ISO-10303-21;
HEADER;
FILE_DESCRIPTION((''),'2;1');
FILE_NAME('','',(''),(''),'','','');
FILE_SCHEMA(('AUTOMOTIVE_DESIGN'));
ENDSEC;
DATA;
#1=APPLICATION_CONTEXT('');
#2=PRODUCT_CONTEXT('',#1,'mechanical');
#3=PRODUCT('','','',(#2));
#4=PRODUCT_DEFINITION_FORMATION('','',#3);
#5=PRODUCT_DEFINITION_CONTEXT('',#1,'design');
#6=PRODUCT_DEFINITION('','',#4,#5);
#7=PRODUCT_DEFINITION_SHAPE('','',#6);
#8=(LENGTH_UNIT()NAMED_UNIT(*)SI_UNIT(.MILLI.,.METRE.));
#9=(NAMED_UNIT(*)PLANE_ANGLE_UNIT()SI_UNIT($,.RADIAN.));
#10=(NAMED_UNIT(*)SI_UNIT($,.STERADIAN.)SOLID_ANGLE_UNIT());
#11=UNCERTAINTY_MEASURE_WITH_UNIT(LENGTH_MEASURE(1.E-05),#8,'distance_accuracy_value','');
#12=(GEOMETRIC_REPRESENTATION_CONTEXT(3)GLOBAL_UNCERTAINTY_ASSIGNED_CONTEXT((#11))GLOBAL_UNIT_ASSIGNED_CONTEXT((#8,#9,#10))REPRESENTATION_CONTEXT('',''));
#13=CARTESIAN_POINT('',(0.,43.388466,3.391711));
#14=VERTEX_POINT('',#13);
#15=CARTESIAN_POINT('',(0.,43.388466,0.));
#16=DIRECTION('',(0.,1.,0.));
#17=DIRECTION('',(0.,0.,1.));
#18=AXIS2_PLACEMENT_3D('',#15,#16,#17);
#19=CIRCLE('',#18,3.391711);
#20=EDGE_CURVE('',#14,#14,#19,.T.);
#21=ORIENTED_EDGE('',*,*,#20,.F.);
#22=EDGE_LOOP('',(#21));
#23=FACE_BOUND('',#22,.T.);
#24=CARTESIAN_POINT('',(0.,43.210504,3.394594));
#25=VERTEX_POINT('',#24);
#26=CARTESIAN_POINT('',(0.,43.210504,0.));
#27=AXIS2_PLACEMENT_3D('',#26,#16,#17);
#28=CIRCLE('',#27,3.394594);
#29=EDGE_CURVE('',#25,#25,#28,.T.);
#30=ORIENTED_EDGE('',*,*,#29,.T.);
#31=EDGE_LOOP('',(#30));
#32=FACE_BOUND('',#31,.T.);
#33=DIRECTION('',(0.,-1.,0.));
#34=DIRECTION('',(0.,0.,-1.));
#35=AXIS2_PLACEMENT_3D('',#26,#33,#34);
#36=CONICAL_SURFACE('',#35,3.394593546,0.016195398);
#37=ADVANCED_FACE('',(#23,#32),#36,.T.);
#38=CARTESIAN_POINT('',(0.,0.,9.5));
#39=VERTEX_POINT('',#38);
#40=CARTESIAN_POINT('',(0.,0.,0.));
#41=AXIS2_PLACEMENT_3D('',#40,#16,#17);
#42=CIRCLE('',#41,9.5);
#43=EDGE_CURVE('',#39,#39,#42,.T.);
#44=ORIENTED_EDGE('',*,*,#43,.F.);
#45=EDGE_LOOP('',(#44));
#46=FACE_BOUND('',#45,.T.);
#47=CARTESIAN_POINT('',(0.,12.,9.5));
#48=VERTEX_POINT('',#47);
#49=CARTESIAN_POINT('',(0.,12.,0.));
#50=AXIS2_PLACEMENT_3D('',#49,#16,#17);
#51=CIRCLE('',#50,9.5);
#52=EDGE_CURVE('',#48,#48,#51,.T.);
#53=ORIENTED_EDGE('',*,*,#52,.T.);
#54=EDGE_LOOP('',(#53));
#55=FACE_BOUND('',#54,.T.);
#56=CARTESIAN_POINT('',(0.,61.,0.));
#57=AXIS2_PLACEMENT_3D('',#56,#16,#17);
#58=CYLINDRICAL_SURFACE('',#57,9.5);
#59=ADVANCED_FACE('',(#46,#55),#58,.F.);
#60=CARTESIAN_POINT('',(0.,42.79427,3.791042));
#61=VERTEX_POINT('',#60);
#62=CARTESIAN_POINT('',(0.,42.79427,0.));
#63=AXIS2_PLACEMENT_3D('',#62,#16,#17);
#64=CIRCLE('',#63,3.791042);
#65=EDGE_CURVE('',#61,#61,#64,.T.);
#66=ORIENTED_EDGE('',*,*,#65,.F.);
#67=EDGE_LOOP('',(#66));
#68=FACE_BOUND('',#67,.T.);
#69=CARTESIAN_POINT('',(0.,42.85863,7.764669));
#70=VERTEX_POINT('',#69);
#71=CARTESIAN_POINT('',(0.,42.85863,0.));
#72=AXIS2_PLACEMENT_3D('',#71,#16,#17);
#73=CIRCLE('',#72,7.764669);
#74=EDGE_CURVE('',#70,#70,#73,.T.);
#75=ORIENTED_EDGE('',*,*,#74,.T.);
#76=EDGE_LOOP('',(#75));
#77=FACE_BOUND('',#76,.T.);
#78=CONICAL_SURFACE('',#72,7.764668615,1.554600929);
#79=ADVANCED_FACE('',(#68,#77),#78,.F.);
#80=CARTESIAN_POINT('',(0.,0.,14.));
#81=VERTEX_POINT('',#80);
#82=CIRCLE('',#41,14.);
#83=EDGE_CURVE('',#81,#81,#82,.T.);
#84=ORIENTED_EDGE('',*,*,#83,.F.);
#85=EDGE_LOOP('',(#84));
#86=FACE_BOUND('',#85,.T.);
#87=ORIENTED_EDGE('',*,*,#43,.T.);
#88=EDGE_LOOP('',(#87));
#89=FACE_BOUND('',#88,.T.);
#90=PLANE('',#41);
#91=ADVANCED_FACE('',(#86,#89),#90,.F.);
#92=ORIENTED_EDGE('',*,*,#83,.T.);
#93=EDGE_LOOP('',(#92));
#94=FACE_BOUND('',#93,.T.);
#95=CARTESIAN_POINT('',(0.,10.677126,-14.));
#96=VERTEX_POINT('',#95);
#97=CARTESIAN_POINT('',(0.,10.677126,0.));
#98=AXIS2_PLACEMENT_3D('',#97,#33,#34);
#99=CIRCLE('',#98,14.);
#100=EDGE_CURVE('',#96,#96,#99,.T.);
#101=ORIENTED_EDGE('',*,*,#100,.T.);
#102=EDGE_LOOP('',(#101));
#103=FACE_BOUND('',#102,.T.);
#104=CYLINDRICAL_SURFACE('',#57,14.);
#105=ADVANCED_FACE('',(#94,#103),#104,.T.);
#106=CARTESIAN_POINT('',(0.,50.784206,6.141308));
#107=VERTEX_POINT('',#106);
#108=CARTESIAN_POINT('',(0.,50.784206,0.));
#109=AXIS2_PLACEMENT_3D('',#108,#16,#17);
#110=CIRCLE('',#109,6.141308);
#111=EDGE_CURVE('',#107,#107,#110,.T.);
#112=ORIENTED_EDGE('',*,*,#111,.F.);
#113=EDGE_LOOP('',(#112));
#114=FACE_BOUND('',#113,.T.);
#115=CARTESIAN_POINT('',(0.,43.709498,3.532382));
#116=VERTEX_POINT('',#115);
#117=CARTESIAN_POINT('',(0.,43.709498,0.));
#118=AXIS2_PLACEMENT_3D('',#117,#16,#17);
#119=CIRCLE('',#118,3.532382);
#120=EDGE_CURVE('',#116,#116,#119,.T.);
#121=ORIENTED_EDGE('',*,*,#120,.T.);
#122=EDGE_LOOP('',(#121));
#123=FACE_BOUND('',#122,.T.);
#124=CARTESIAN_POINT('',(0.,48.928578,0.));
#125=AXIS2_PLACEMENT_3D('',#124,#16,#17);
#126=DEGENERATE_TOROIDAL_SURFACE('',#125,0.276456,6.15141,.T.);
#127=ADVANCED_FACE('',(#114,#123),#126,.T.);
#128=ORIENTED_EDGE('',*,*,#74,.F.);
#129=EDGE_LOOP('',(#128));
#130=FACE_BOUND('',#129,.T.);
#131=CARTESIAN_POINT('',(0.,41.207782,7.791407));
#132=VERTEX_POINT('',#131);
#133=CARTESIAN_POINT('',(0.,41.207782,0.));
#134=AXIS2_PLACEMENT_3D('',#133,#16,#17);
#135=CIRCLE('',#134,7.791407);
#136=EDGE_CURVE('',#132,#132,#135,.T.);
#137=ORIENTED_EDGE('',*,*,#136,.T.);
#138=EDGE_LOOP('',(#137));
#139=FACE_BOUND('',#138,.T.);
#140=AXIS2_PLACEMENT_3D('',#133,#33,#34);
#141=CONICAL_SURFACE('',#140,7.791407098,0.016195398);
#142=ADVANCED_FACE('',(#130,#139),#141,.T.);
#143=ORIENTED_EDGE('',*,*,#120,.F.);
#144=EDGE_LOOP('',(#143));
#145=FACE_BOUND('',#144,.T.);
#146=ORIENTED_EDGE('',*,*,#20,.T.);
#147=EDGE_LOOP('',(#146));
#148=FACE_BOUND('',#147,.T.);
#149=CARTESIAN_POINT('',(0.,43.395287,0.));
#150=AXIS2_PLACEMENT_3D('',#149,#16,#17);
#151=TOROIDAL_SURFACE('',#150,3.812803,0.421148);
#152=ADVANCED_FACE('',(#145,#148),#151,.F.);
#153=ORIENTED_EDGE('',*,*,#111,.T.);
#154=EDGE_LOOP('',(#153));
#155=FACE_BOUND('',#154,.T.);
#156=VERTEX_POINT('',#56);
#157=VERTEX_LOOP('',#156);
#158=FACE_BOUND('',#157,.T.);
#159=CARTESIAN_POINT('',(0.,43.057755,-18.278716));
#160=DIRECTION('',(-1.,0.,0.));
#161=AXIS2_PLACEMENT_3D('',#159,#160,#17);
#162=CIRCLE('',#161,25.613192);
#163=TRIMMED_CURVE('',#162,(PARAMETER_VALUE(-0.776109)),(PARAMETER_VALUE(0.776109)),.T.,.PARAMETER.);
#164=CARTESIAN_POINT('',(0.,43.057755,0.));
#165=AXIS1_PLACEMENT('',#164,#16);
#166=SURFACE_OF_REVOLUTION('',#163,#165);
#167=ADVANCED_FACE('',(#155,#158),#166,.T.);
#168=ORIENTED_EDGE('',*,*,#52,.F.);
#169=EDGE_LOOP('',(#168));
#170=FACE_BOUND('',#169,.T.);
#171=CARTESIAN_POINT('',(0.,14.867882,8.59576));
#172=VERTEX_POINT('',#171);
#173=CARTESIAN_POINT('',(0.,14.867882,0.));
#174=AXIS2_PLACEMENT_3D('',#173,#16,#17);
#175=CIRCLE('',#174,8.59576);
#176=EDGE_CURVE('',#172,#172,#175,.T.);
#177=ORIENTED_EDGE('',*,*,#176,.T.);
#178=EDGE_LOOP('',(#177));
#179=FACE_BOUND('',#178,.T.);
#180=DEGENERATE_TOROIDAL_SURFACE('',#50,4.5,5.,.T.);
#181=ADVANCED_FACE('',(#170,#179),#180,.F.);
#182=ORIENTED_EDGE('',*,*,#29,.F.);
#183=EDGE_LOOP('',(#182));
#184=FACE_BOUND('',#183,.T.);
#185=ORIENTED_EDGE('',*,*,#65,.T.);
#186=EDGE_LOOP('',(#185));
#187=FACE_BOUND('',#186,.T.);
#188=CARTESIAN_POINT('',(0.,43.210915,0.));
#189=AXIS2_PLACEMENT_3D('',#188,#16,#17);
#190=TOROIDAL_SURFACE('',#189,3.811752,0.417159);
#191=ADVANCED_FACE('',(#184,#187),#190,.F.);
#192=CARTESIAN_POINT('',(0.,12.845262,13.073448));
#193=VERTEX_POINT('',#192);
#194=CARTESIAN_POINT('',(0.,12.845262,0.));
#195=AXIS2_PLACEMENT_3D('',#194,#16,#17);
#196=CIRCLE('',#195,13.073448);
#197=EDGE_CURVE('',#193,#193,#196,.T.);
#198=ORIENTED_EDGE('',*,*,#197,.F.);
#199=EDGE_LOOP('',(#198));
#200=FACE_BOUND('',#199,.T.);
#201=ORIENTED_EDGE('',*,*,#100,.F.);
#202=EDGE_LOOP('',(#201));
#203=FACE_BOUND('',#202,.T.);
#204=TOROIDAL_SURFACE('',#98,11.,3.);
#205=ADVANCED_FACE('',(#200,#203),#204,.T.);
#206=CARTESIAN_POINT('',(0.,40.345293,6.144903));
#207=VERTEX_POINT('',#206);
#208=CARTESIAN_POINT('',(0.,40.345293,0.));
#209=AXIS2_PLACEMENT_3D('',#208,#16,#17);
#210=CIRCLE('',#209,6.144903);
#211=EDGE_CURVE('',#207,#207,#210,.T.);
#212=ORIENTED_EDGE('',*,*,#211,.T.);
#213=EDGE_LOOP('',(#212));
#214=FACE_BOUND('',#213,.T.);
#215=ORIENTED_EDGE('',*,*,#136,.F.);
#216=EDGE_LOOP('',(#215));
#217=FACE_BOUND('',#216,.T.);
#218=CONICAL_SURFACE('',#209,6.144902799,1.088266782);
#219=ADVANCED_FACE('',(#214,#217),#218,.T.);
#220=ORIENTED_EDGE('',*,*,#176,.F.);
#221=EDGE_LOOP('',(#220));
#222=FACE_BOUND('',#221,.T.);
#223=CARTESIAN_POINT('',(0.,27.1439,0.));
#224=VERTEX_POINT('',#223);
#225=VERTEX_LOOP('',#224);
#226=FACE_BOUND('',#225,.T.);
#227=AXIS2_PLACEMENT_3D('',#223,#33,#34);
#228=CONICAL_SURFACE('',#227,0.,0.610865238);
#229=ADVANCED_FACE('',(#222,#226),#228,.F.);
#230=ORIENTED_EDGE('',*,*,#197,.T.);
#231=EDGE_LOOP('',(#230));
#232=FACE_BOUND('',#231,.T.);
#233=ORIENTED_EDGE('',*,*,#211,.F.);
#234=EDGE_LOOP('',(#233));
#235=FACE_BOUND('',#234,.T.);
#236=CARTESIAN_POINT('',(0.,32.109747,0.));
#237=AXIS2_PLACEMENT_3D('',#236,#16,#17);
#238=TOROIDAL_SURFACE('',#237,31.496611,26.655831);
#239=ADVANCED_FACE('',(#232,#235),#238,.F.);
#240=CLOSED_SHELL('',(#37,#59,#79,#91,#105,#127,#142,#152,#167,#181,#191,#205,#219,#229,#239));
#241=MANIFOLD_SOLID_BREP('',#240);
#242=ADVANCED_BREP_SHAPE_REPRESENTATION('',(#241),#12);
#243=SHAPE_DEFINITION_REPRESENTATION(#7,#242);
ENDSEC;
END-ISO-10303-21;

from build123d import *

# Parameters (mm, degrees)
FILLET1_R = 3


with BuildPart() as part:
    # Sketch1 → Revolve1 (revolve)
    with BuildSketch(Plane.XY, mode=Mode.PRIVATE) as revolve1_sk:
        with BuildLine():
            Line((9.5, 12), (9.5, 0))
            Line((9.5, 0), (14, 0))
            Line((14, 0), (14, 12))
            ThreePointArc((14, 12), (5.808899363, 24.991123715), (6.144902799, 40.3452934))
            Line((6.144902799, 40.3452934), (7.791407098, 41.20778213))
            Line((7.791407098, 41.20778213), (7.764668615, 42.858630405))
            Line((7.764668615, 42.858630405), (3.791041614, 42.794270306))
            ThreePointArc((3.791041614, 42.794270306), (3.509684474, 42.923205602), (3.394593546, 43.210503755))
            Line((3.394593546, 43.210503755), (3.39171112, 43.388466278))
            ThreePointArc((3.39171112, 43.388466278), (3.427062825, 43.564311584), (3.532381916, 43.709498374))
            ThreePointArc((3.532381916, 43.709498374), (6.047939548, 46.800239445), (6.141308054, 50.784206425))
            ThreePointArc((6.141308054, 50.784206425), (3.673190764, 56.254323111), (0, 61))
            Line((0, 61), (0, 27.143900008))
            Line((0, 27.143900008), (8.595760221, 14.867882182))
            ThreePointArc((8.595760221, 14.867882182), (9.268584754, 13.503528998), (9.5, 12))
        make_face()
    revolve(revolve1_sk.sketch.rotate(Axis((0, 61, 0), (0, -1, 0)), 90), axis=Axis((0, 61, 0), (0, -1, 0)))

    # Fillet1
    fillet1_edges = [part.edges().sort_by_distance(p)[0] for p in [
        (0, 12, -14),
    ]]
    fillet(fillet1_edges, radius=FILLET1_R)


solid = part.part
